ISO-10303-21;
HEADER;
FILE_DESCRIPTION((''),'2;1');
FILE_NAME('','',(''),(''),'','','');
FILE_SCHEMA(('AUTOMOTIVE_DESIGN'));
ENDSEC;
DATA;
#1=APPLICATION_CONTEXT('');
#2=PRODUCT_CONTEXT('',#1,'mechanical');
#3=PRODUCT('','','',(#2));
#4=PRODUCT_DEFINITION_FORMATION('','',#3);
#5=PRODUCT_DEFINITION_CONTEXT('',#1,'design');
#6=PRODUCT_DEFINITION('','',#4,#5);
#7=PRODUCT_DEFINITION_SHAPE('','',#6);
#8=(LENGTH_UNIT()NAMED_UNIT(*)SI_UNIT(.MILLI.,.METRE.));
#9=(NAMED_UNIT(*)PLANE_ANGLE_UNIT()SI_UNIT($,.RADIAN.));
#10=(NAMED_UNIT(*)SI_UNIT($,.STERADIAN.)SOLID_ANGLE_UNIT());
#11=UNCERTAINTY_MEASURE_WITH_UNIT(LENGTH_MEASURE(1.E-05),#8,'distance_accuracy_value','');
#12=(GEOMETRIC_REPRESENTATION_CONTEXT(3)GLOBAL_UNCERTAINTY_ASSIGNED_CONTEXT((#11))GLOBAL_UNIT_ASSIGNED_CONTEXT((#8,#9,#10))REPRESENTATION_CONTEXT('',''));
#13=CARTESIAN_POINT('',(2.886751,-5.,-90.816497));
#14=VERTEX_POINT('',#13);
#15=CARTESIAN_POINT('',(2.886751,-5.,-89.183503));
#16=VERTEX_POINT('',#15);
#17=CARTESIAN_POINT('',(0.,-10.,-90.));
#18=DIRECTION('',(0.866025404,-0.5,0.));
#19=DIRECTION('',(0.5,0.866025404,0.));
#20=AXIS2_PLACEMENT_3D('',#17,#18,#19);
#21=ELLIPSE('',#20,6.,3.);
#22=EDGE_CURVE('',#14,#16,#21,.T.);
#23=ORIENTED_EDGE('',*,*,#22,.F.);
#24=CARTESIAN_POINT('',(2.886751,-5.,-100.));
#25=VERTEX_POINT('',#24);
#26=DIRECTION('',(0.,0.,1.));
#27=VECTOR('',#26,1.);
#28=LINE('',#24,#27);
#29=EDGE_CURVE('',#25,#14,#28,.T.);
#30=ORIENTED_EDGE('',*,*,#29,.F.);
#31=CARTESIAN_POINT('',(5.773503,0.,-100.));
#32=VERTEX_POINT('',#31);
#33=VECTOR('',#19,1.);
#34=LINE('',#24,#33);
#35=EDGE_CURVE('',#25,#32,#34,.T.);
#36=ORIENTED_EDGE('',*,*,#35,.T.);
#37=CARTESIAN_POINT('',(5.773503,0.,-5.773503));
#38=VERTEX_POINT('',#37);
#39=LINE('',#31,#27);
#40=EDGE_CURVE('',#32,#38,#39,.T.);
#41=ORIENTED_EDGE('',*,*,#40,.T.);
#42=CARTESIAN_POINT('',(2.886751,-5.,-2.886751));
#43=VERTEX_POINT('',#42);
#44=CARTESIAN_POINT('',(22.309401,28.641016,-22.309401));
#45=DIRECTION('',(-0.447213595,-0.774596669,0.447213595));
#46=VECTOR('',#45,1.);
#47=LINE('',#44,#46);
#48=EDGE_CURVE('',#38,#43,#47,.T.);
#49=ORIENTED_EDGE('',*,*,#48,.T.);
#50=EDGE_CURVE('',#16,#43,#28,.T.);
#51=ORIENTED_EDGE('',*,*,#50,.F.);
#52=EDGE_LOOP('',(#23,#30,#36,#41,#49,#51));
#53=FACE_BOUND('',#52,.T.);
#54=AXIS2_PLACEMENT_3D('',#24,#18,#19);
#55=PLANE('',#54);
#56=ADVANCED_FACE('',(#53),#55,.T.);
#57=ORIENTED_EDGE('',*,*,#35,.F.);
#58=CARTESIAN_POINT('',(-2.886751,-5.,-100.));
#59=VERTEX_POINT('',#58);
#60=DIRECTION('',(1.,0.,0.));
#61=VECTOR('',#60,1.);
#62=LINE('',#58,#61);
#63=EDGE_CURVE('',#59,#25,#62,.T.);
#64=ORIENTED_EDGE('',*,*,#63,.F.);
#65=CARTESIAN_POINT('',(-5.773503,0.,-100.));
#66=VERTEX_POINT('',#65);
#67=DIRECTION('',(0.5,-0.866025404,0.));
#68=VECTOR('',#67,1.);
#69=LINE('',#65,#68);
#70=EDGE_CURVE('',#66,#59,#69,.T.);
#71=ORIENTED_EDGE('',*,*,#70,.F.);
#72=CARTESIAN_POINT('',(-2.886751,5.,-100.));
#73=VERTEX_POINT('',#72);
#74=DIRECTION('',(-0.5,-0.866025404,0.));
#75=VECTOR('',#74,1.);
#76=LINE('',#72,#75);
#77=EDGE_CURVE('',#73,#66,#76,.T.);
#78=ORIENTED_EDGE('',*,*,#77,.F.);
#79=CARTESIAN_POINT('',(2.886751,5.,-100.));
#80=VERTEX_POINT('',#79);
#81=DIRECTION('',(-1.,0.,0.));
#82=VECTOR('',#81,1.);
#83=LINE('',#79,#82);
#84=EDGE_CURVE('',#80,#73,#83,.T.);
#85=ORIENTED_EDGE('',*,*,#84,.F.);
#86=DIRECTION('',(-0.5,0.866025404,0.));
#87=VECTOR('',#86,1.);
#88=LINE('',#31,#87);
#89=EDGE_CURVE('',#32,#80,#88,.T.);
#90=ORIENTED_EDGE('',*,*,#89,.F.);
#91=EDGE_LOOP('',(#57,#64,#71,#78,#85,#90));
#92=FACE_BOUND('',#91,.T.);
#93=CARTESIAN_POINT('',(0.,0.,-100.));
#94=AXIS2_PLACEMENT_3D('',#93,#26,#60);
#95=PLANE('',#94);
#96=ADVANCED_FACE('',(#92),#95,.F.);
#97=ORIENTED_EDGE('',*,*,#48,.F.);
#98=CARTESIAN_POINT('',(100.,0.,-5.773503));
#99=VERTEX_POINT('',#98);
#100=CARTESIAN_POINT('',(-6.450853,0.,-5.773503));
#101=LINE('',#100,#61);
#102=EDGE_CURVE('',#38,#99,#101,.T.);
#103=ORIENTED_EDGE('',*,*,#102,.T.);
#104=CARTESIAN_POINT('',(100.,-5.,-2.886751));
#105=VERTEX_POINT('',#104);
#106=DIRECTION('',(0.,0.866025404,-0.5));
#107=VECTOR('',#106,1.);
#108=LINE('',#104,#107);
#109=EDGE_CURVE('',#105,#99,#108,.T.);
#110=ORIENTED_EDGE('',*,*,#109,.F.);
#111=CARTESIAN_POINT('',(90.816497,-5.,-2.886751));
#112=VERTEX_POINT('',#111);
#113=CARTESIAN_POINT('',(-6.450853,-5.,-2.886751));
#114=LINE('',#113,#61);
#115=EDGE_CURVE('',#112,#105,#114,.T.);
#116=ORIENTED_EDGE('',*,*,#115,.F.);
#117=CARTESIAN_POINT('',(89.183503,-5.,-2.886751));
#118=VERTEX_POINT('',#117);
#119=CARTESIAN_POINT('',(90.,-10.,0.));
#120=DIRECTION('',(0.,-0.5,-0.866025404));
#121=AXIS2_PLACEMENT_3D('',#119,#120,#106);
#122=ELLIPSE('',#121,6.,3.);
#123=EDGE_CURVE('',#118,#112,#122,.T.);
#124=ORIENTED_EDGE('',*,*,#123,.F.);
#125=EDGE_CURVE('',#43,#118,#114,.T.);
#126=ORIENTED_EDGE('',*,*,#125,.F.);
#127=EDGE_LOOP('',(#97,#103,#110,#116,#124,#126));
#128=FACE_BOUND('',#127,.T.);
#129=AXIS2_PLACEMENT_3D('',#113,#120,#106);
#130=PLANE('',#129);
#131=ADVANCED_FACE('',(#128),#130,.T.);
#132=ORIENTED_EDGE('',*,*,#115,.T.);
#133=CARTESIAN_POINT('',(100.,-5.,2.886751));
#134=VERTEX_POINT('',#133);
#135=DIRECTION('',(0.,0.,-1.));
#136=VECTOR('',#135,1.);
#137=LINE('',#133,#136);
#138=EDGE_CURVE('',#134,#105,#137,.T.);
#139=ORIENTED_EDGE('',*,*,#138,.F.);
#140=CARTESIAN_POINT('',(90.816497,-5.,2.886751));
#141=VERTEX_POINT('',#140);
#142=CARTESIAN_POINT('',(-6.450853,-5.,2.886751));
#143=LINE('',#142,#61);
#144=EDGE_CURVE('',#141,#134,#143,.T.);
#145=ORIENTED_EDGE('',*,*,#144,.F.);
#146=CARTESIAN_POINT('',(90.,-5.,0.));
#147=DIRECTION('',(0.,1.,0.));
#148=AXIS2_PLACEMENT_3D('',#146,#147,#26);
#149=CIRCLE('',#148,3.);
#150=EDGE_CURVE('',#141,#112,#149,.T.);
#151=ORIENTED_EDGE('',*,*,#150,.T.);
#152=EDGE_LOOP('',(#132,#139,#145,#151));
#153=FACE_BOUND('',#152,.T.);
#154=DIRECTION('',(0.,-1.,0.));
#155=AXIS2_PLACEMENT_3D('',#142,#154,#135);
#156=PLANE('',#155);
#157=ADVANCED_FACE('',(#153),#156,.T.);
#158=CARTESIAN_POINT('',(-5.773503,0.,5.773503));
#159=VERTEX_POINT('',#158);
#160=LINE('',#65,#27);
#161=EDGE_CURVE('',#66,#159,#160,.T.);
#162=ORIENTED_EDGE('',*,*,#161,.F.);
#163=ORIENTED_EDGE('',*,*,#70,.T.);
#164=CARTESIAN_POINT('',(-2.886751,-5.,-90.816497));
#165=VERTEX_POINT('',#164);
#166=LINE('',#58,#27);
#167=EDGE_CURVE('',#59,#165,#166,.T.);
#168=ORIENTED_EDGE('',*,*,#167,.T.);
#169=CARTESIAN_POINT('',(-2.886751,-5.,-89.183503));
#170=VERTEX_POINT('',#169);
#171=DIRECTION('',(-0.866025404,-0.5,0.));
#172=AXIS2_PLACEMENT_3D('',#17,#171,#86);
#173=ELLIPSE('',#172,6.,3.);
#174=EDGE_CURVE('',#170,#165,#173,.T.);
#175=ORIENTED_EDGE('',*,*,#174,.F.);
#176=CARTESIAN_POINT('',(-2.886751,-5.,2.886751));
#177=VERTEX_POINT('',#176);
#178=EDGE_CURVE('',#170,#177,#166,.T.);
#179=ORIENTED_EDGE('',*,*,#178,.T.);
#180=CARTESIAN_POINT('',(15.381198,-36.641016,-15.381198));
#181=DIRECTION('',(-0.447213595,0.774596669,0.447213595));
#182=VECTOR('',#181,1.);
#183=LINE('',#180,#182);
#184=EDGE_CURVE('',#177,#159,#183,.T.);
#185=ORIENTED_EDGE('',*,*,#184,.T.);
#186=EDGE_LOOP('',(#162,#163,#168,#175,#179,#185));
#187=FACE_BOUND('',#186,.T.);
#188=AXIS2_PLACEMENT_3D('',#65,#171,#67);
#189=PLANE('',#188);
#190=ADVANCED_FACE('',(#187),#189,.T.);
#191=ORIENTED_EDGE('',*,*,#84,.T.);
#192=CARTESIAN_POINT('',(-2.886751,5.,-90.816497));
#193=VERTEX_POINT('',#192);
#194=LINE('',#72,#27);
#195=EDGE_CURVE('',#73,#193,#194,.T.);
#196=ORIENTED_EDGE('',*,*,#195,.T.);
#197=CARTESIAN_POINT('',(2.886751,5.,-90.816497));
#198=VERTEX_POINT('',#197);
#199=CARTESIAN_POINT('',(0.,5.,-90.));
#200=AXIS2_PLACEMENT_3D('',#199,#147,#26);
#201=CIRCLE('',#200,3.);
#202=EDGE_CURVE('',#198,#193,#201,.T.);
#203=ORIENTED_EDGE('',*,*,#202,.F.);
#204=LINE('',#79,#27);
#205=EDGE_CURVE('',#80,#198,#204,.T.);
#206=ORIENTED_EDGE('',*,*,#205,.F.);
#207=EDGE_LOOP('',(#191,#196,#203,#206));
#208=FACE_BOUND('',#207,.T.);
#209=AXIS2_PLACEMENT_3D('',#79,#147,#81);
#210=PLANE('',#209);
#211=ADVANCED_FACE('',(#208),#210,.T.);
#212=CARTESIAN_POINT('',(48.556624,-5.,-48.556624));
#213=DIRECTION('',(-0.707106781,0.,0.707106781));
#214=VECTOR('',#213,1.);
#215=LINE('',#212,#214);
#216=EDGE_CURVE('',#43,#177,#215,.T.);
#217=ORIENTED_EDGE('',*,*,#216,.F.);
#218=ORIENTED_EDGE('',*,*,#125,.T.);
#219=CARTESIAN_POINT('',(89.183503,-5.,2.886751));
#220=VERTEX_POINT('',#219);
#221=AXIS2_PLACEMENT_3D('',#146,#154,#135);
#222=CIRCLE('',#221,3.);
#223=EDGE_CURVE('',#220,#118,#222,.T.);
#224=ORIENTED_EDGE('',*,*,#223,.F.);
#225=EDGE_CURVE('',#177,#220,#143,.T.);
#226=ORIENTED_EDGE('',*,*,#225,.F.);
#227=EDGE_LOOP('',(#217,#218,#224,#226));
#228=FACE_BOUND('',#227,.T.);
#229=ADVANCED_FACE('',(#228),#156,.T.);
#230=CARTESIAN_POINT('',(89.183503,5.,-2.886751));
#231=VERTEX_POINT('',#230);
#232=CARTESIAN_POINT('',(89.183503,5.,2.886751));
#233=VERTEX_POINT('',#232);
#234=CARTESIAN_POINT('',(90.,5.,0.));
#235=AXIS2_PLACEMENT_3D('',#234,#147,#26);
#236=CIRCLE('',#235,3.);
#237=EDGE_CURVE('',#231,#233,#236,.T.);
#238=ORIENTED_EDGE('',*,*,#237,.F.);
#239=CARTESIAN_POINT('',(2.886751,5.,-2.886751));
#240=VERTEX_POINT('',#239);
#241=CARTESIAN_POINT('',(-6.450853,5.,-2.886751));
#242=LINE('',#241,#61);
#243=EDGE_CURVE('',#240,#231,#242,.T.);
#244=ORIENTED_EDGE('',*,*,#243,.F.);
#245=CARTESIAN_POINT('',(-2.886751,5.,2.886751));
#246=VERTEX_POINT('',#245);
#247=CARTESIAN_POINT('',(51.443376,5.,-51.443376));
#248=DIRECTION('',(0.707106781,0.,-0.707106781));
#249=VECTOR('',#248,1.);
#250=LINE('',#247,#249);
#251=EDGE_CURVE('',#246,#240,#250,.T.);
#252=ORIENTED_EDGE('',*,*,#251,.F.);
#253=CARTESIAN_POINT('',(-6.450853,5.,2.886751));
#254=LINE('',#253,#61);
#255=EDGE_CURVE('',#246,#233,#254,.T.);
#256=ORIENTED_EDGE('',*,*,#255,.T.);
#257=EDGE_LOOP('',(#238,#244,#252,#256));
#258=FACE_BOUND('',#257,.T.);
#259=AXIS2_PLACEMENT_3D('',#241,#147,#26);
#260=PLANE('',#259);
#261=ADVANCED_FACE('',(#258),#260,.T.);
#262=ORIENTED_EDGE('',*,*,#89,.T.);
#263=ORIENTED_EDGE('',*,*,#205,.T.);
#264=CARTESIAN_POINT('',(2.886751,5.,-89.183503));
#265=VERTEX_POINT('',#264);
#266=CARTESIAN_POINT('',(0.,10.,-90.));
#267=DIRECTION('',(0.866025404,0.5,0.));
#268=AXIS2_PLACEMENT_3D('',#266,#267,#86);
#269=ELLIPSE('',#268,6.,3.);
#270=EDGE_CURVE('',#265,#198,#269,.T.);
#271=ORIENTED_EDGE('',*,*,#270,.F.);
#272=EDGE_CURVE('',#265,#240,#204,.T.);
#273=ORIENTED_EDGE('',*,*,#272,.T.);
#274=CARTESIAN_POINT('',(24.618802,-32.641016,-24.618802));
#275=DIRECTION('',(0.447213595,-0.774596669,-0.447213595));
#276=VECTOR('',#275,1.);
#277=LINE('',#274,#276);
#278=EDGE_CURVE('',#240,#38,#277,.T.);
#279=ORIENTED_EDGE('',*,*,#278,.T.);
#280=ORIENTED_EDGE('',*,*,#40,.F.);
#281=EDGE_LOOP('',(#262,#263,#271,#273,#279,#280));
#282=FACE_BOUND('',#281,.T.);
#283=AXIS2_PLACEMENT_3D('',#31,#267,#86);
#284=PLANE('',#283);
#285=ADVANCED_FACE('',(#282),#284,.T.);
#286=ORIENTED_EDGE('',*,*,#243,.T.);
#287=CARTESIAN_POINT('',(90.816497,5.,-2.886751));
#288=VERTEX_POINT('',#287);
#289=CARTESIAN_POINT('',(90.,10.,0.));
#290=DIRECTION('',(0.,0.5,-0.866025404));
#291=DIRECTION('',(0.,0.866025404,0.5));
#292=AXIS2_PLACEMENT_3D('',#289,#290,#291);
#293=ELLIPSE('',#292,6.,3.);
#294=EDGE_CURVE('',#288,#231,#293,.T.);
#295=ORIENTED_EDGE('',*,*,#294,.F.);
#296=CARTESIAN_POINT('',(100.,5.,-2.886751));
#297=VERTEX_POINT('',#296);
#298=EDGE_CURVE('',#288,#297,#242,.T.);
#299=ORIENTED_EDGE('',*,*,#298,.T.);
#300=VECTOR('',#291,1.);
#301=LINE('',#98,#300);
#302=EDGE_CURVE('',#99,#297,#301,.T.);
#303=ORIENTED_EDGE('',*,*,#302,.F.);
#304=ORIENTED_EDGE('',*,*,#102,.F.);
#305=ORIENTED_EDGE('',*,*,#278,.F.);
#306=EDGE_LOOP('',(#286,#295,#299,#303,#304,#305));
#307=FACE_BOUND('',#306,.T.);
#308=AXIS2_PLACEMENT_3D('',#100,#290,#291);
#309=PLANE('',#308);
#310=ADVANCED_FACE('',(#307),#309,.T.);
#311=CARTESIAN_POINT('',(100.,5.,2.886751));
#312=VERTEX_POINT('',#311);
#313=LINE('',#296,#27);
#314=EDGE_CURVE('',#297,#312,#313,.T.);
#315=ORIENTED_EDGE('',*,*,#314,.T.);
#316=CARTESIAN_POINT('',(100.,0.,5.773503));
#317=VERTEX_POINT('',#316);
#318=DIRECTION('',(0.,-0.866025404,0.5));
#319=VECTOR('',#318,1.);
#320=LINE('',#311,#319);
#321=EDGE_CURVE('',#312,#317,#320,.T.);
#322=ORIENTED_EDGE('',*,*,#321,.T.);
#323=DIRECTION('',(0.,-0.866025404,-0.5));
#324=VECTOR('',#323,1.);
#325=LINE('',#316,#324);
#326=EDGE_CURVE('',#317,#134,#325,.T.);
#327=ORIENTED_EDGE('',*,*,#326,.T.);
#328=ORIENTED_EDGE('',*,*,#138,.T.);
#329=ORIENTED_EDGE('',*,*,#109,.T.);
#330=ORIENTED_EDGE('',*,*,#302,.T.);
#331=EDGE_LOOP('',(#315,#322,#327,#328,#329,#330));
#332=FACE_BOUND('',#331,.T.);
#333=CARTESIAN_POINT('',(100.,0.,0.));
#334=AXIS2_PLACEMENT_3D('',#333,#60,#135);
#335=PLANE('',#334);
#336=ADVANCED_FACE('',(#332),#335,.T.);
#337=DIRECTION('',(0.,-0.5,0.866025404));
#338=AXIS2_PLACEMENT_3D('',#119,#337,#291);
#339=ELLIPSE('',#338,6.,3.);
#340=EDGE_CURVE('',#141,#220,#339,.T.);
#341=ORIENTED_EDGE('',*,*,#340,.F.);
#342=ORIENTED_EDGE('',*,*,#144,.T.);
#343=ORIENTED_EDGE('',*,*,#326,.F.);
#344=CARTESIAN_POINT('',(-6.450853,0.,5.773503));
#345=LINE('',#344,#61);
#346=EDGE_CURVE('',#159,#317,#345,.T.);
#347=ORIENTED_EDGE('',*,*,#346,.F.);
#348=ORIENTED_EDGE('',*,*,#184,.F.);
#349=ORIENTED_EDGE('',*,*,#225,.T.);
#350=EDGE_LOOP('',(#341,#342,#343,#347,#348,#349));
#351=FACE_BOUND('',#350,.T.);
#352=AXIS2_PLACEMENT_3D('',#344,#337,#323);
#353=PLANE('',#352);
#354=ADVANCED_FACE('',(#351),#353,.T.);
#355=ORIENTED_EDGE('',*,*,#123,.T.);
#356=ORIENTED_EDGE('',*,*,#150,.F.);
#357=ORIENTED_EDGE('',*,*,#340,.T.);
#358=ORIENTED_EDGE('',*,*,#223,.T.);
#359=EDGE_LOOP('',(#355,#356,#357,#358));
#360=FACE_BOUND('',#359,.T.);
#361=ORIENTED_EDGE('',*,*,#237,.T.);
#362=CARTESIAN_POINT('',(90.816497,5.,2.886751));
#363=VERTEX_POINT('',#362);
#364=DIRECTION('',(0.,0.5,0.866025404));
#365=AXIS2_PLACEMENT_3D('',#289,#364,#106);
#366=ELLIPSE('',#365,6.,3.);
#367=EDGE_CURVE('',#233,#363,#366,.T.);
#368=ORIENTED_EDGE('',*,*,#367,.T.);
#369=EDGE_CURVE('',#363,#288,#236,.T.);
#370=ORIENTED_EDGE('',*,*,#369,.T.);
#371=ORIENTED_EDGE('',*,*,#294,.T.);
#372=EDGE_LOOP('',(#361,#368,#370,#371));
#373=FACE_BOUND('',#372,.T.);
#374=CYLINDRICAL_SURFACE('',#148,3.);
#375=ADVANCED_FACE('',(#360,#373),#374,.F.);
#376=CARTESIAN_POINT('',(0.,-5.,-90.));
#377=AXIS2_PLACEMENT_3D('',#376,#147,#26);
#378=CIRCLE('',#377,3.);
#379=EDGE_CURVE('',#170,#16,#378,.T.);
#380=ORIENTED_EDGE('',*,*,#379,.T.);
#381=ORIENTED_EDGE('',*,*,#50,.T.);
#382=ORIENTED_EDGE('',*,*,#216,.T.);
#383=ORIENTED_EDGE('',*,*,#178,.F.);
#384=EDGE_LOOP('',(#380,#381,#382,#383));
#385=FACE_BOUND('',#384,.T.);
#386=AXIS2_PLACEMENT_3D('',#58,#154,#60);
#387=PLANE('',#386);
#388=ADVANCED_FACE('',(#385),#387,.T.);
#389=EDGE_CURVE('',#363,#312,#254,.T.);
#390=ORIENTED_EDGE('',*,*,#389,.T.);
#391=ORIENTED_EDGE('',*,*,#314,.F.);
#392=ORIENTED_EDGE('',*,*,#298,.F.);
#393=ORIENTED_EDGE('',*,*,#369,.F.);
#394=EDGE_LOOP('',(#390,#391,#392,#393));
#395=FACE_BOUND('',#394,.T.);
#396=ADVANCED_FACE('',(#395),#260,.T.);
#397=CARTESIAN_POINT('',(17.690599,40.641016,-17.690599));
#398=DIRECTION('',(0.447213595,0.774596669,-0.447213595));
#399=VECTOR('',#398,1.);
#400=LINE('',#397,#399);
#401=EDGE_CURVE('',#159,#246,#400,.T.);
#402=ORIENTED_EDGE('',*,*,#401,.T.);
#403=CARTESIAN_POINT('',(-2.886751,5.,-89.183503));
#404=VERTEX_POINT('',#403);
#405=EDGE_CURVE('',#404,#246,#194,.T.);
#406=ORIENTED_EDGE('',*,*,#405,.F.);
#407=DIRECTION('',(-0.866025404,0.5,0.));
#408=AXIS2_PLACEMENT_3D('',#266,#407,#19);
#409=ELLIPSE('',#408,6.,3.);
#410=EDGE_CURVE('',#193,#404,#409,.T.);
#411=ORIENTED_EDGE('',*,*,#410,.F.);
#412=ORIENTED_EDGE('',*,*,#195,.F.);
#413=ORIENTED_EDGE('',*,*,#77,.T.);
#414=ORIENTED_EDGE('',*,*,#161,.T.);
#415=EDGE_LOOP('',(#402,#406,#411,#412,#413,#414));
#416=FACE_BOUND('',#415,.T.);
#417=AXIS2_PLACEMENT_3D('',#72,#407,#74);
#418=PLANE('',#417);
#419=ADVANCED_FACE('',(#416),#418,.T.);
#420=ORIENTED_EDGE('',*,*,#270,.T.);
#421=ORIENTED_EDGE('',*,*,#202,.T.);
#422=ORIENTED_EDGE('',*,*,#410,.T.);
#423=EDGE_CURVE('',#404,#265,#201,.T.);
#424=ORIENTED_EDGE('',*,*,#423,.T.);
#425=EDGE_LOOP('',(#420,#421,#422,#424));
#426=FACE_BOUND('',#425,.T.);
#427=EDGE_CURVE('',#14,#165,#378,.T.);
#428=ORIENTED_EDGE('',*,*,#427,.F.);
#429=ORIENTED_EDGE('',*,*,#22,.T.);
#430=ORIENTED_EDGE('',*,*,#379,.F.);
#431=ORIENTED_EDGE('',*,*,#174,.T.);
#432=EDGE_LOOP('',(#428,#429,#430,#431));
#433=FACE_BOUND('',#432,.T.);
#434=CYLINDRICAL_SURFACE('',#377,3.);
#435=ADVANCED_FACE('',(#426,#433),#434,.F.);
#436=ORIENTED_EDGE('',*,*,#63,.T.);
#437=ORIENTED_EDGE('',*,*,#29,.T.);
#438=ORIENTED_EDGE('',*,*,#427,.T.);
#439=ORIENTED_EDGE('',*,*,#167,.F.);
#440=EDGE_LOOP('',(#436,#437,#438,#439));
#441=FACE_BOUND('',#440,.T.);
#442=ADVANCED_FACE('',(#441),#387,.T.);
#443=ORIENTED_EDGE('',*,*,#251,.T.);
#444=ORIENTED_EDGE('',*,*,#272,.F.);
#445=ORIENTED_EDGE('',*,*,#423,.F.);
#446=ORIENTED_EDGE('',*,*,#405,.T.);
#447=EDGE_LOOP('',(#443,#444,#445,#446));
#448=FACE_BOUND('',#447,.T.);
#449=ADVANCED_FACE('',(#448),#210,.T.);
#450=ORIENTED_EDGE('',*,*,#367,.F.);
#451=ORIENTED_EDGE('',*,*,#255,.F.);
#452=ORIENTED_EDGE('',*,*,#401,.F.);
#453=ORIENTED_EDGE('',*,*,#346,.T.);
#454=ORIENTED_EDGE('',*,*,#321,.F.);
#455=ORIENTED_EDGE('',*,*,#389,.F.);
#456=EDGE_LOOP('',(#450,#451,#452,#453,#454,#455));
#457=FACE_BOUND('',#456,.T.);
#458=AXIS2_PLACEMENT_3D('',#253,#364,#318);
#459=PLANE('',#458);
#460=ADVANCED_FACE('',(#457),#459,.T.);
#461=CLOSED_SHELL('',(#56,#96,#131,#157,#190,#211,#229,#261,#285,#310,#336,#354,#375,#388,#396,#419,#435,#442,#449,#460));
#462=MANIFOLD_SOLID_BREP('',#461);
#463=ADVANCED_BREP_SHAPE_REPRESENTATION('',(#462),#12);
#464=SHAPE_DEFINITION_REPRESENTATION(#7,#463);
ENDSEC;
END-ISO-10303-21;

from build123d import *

# Parameters (mm, degrees)
SKETCH3_R               = 3
CUT_EXTRUDE1_DEPTH      = 6
CUT_EXTRUDE1_DEPTH_BACK = 6


with BuildPart() as part:
    # Sweep1: sweep along a path in Sketch1
    with BuildLine(Plane(origin=(0, 0, 0), x_dir=(1, 0, 0), z_dir=(0, 1, 0))) as sweep1_path:
        Line((0, 100), (0, 0))
        Line((0, 0), (100, 0))
    # Sketch2 → Sweep1 (sweep)
    with BuildSketch(Plane.XY.offset(-100)):
        Polygon((5.773502692, 0), (2.886751346, 5), (-2.886751346, 5), (-5.773502692, 0), (-2.886751346, -5), (2.886751346, -5), align=None)
    sweep(path=sweep1_path.line, transition=Transition.RIGHT)

    # Sketch3 → Cut-Extrude1 (cut, two sides)
    with BuildSketch(Plane(origin=(0, 0, 0), x_dir=(1, 0, 0), z_dir=(0, 1, 0))) as cut_extrude1_sk:
        with Locations((0, 90)):
            Circle(SKETCH3_R)
        with Locations((90, 0)):
            Circle(SKETCH3_R)
    extrude(amount=CUT_EXTRUDE1_DEPTH, mode=Mode.SUBTRACT)
    extrude(cut_extrude1_sk.sketch, amount=-CUT_EXTRUDE1_DEPTH_BACK, mode=Mode.SUBTRACT)


solid = part.part
